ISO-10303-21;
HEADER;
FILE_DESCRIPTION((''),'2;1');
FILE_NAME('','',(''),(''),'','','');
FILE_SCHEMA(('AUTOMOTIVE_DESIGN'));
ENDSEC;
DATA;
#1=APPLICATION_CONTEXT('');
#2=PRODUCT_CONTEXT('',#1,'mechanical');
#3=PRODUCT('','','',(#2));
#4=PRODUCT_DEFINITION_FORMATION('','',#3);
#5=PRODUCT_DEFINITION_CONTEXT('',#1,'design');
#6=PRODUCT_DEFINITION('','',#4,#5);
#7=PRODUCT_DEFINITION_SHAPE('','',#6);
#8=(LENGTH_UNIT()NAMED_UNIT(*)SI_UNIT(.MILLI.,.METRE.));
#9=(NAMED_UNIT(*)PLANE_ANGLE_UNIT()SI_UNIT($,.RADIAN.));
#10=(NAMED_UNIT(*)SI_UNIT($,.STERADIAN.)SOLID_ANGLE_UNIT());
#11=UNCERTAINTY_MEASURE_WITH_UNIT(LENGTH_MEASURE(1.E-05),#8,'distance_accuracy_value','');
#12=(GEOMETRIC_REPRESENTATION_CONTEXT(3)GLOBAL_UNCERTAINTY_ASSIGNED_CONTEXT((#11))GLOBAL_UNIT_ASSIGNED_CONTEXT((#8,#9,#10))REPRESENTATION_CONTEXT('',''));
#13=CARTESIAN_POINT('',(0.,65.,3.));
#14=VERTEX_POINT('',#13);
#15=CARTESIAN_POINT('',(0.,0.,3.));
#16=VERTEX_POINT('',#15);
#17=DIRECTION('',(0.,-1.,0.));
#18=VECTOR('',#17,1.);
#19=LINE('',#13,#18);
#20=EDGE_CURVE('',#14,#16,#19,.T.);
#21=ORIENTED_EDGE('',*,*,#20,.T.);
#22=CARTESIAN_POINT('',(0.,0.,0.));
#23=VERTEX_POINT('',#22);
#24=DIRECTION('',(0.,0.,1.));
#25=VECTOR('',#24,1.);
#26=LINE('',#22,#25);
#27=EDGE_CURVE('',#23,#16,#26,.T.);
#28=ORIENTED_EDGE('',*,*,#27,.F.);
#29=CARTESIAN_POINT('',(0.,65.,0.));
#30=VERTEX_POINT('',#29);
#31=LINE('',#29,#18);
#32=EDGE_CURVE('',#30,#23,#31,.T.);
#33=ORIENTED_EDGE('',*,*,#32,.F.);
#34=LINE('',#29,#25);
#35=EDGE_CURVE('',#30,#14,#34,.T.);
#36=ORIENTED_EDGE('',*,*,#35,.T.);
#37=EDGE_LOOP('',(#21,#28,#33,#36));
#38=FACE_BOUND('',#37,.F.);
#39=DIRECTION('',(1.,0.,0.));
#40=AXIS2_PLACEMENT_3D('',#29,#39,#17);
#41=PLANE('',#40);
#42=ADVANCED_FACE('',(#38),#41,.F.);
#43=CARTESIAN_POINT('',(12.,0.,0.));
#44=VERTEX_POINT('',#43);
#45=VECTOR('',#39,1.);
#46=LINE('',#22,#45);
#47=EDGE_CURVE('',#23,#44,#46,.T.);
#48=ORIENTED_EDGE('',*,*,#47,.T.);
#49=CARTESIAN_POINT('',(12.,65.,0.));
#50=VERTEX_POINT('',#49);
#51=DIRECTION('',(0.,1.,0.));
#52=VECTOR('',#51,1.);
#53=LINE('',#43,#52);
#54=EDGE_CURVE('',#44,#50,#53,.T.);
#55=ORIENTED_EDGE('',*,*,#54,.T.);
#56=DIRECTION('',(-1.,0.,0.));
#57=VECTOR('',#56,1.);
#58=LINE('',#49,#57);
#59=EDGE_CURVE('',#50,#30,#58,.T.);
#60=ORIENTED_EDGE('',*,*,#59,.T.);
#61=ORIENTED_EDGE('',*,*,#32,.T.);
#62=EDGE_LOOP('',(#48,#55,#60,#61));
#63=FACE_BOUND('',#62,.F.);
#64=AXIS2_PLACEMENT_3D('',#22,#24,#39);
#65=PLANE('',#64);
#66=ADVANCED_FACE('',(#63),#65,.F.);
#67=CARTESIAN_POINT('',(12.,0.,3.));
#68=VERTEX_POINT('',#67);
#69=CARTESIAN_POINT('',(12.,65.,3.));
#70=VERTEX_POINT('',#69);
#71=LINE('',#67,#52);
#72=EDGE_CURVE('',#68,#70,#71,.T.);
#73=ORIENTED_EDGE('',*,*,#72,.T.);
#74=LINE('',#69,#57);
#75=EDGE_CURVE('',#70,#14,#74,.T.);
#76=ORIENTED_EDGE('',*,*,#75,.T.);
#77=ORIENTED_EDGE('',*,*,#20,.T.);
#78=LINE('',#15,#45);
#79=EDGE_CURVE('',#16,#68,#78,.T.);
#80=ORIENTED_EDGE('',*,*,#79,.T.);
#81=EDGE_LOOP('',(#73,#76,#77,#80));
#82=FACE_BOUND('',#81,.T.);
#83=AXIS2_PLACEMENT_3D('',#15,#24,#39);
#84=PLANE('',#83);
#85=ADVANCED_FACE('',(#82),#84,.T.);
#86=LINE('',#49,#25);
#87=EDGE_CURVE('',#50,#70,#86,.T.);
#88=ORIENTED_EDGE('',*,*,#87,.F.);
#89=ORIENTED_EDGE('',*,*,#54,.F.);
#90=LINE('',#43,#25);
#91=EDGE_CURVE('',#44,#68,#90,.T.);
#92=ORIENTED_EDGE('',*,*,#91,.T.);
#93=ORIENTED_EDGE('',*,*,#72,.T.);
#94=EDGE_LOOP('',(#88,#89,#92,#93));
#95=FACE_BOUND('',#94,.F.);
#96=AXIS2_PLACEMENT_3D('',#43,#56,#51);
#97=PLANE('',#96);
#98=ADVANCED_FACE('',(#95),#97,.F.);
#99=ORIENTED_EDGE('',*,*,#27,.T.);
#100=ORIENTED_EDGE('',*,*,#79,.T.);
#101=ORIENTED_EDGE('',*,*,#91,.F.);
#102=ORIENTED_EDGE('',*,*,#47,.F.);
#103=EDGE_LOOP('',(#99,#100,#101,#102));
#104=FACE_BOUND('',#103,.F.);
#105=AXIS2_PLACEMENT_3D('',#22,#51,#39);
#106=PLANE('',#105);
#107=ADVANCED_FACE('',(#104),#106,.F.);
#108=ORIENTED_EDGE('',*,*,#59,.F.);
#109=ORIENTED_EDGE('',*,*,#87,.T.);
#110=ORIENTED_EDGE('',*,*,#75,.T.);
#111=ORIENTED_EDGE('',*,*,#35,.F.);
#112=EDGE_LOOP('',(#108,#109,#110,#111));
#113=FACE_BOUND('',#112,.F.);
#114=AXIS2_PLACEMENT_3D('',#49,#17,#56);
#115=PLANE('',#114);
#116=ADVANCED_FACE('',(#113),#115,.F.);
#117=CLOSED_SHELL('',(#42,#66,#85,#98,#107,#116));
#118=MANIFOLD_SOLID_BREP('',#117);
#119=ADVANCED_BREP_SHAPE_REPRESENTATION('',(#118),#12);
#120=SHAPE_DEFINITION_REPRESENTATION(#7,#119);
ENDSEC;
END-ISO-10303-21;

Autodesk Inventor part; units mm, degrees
ref_plane "YZ Plane" through (0, 0, 0) normal (1, 0, 0) x (0, 1, 0)
ref_plane "XZ Plane" through (0, 0, 0) normal (0, 1, 0) x (-1, 0, 0)
ref_plane "XY Plane" through (0, 0, 0) normal (0, 0, 1) x (1, 0, 0)
sketch "Sketch1" plane through (0, 0, 0) normal (0, 0, 1) x (1, 0, 0)
  line L0 (0, 0) -> (12, 0)
  line L1 (12, 0) -> (12, 65)
  line L2 (12, 65) -> (0, 65)
  line L3 (0, 65) -> (0, 0)
  dimension "d0" = 12
  dimension "d1" = 65
  dimension "d2" = 12
extrude "Extrusion1" add sketch "Sketch1" along normal blind 3
properties part number "carcasa_piezasRadio_externos_3.0"
